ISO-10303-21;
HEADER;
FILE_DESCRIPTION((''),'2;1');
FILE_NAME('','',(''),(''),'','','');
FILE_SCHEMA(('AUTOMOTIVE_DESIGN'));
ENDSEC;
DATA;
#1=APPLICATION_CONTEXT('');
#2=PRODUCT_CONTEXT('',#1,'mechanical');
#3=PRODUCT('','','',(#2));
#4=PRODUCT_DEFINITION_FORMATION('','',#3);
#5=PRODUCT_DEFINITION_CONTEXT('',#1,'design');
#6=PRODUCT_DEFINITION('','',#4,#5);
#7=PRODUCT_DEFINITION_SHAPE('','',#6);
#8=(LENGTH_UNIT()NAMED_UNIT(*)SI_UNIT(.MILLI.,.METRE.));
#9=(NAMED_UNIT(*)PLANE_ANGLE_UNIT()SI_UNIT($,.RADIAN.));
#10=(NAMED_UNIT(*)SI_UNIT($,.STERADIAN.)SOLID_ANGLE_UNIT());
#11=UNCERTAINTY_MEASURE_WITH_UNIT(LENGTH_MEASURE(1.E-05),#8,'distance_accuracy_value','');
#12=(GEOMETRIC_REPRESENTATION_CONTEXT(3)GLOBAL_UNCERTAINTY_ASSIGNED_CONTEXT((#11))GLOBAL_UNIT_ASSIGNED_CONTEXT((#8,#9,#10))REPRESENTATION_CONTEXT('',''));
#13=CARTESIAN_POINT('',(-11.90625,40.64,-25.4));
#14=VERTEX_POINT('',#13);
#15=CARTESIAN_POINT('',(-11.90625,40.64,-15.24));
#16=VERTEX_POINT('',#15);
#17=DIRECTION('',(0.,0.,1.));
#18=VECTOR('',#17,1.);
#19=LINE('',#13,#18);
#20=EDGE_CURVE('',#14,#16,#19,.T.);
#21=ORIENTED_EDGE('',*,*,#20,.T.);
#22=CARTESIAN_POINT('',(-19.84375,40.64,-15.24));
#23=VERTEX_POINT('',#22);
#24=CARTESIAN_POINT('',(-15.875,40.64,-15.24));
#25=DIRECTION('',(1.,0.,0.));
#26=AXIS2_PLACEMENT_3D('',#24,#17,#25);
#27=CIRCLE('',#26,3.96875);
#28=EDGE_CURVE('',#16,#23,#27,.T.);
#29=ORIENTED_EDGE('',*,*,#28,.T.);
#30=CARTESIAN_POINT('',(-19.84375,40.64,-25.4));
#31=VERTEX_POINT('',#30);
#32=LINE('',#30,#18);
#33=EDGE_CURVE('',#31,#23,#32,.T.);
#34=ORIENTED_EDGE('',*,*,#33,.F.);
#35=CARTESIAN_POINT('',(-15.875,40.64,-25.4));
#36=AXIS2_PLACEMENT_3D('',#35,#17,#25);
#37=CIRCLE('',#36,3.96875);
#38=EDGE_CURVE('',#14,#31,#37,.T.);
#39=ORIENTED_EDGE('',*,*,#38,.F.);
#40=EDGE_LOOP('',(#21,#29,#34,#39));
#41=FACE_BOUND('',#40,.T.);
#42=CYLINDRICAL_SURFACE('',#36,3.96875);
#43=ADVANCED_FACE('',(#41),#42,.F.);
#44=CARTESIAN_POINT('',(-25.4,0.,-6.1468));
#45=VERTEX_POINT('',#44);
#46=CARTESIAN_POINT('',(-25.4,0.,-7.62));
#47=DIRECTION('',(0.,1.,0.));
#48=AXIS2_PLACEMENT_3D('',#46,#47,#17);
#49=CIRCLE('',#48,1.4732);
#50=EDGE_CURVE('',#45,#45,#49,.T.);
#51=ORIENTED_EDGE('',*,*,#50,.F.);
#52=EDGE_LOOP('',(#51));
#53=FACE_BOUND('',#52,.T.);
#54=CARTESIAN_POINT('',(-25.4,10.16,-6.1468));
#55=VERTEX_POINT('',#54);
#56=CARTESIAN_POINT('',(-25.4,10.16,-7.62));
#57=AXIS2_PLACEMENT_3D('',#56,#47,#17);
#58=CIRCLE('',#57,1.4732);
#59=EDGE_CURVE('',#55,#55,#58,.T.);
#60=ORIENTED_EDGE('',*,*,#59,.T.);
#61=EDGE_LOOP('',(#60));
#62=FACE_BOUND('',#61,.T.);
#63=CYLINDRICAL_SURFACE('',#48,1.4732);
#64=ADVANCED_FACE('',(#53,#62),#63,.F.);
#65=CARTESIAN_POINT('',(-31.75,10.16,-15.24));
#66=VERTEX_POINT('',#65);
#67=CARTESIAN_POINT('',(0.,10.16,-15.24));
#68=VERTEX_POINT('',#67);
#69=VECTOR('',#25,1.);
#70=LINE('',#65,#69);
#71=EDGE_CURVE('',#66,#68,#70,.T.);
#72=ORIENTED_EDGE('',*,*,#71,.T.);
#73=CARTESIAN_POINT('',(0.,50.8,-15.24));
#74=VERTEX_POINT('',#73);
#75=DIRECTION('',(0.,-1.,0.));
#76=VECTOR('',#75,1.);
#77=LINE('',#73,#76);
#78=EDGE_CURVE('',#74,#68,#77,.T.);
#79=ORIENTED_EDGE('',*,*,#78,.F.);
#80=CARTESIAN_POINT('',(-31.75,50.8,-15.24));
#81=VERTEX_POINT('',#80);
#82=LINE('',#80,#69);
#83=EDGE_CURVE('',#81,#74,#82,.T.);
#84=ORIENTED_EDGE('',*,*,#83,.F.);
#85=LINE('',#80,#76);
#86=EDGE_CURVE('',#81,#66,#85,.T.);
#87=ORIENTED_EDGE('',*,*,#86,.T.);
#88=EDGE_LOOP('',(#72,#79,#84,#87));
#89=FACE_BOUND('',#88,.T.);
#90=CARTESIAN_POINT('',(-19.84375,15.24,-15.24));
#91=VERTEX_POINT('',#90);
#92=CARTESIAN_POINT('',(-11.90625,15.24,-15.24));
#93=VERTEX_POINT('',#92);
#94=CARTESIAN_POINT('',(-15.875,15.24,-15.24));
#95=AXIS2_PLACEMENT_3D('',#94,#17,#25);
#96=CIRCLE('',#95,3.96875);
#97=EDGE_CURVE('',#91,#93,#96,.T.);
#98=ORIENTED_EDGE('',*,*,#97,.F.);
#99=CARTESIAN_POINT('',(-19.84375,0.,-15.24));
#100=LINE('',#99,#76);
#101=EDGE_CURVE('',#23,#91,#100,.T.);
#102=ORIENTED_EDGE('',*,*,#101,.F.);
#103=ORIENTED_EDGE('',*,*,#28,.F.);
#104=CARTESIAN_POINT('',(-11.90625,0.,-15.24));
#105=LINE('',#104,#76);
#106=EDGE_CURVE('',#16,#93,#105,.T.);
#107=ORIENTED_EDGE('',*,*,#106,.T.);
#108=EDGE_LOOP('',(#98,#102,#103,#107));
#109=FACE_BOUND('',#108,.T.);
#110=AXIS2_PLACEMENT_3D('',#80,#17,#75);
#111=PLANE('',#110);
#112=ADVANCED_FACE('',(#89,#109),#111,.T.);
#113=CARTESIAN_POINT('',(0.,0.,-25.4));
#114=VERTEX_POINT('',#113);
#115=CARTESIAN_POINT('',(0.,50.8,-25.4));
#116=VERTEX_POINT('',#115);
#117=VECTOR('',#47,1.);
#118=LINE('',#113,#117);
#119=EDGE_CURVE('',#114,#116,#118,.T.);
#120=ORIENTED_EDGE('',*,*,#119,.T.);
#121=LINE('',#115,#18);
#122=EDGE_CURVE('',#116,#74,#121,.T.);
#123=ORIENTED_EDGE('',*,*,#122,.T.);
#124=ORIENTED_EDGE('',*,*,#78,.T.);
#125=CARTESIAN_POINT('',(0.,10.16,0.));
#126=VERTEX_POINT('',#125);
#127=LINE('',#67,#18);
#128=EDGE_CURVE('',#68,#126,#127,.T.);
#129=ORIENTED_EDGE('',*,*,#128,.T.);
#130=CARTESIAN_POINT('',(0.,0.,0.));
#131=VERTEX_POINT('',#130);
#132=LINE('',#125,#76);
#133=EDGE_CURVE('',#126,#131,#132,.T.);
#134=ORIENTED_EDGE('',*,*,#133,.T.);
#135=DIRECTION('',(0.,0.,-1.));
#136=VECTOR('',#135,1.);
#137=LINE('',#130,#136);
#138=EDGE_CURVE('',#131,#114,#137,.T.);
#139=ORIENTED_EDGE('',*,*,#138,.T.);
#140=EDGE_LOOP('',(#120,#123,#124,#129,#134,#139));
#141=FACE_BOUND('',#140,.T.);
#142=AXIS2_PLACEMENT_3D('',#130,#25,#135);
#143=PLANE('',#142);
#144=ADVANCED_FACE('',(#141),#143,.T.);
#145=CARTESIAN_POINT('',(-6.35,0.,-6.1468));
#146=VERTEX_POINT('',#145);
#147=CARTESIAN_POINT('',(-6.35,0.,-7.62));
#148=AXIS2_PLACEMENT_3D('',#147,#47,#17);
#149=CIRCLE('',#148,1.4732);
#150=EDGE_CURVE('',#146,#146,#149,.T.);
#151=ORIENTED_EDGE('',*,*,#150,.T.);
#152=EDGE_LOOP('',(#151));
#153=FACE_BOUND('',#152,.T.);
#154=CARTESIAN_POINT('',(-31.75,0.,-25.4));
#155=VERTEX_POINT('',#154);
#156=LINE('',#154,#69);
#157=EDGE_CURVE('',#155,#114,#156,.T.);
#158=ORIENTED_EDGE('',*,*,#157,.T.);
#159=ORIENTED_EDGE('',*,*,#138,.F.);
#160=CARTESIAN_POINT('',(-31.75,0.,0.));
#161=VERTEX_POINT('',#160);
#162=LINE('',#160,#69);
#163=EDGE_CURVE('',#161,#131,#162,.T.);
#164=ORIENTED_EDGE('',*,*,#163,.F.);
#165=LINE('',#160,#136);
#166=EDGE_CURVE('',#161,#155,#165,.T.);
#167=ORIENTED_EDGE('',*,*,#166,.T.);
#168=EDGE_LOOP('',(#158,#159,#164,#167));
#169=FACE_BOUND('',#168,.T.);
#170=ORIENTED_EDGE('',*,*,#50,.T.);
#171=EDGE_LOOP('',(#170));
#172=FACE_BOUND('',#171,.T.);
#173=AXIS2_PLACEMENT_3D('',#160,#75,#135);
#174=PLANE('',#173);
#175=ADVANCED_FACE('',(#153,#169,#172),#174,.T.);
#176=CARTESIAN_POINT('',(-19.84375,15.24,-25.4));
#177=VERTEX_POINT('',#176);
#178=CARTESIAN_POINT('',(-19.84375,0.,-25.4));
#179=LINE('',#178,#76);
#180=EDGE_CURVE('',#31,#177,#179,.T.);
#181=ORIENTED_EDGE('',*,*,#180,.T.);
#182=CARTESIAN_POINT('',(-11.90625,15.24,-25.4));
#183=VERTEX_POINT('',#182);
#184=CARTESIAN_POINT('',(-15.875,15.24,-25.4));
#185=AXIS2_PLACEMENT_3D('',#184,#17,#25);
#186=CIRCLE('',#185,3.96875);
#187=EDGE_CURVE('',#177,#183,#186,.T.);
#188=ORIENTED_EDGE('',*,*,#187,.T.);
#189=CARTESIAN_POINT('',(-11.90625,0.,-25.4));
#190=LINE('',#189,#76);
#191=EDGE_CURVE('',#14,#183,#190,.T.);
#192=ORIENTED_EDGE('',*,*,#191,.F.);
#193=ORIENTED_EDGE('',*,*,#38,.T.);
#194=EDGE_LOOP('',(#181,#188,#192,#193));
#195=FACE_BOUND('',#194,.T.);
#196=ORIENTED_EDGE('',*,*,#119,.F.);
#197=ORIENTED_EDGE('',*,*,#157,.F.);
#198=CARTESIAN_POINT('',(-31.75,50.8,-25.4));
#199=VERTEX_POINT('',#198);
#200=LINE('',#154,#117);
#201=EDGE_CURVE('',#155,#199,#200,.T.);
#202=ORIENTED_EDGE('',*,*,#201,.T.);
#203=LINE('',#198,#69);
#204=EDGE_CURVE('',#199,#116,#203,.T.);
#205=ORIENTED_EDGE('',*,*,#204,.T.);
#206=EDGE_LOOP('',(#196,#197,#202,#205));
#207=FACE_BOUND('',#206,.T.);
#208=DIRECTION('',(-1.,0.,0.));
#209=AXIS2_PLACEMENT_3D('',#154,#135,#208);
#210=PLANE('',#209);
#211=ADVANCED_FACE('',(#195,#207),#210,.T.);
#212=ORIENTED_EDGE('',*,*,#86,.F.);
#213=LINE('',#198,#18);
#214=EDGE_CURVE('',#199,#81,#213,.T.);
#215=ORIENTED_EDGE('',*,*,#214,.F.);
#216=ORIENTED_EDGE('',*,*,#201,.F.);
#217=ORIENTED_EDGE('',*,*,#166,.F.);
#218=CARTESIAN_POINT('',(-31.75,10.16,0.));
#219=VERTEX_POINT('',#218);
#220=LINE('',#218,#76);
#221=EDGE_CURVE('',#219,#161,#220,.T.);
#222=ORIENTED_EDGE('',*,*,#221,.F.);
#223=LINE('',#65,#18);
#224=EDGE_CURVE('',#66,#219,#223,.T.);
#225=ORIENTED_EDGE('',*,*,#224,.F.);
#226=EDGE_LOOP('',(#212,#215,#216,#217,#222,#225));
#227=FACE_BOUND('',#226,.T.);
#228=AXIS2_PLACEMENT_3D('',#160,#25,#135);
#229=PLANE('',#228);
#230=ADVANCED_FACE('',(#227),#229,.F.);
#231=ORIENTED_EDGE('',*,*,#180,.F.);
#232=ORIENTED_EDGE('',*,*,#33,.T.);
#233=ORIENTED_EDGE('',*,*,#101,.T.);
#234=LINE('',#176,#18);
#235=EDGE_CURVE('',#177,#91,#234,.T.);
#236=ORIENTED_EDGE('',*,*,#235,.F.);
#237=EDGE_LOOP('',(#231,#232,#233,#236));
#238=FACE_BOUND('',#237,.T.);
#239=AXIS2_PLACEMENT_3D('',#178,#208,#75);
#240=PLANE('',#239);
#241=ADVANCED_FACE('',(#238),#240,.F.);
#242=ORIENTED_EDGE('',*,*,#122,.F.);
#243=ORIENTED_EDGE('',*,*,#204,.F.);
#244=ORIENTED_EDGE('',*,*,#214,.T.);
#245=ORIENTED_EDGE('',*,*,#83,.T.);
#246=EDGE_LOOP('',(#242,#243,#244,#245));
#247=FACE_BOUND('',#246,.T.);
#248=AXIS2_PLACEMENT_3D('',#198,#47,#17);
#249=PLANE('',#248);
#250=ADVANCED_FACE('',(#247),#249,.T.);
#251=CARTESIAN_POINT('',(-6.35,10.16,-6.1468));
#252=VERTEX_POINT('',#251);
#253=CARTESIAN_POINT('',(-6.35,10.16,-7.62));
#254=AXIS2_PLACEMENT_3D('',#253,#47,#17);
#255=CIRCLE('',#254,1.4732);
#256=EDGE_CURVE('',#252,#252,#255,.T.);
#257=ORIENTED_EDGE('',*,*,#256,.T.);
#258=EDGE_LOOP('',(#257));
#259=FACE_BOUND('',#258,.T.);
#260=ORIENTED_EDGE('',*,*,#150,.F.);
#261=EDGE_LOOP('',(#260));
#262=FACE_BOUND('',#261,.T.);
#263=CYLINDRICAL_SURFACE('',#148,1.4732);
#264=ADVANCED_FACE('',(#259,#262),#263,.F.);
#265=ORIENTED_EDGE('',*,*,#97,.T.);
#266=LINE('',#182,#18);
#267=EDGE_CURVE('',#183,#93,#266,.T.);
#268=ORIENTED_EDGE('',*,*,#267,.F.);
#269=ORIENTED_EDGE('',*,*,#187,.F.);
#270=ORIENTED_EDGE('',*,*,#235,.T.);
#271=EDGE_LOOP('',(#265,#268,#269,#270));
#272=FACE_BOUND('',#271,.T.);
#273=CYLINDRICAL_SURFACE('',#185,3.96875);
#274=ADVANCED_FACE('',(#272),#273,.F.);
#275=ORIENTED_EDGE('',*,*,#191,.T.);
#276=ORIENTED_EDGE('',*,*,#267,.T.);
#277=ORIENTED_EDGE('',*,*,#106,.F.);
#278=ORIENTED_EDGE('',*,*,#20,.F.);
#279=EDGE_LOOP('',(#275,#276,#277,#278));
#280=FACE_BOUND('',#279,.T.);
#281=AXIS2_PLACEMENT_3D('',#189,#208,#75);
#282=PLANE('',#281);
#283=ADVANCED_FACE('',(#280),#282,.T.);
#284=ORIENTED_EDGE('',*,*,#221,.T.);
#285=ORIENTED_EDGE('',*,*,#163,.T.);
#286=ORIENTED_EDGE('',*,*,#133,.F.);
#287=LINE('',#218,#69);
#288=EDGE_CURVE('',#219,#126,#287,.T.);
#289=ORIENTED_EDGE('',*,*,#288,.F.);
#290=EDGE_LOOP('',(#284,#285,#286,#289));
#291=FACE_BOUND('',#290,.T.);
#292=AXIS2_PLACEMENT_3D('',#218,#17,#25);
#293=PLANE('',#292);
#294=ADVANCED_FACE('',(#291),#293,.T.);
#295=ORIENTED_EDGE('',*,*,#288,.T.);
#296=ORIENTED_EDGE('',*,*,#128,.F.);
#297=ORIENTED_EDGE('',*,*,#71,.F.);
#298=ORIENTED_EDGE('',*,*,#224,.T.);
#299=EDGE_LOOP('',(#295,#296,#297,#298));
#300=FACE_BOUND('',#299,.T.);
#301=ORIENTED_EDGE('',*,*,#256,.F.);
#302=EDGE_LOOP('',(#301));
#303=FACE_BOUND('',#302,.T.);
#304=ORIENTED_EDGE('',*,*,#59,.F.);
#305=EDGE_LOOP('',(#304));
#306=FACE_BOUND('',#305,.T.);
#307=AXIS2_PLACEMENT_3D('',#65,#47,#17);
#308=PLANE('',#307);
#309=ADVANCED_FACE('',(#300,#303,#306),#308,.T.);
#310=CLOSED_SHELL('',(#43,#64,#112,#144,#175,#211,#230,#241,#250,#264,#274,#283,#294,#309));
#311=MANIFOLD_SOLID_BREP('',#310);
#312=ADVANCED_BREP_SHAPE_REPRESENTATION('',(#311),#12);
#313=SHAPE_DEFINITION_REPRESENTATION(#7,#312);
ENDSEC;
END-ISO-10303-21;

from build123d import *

# Parameters (mm, degrees)
BOSS_EXTRUDE1_DEPTH = 31.75
CUT_EXTRUDE1_DEPTH  = 11.16
SKETCH5_R           = 1.4732
CUT_EXTRUDE2_DEPTH  = 11.16


with BuildPart() as part:
    # Sketch3 → Boss-Extrude1 (new body)
    with BuildSketch(Plane(origin=(0, 0, 0), x_dir=(0, 0, -1), z_dir=(1, 0, 0))):
        Polygon((0, 0), (25.4, 0), (25.4, 50.8), (15.24, 50.8), (15.24, 10.16), (0, 10.16), align=None)
    extrude(amount=-BOSS_EXTRUDE1_DEPTH)

    # Sketch4 → Cut-Extrude1 (cut, through all)
    with BuildSketch(Plane.XY.offset(-15.24)):
        with BuildLine():
            Line((-19.84375, 40.64), (-19.84375, 15.24))
            ThreePointArc((-19.84375, 15.24), (-15.875, 11.27125), (-11.90625, 15.24))
            Line((-11.90625, 15.24), (-11.90625, 40.64))
            ThreePointArc((-11.90625, 40.64), (-15.875, 44.60875), (-19.84375, 40.64))
        make_face()
    extrude(amount=-CUT_EXTRUDE1_DEPTH, mode=Mode.SUBTRACT)

    # Sketch5 → Cut-Extrude2 (cut, through all)
    with BuildSketch(Plane(origin=(0, 10.16, 0), x_dir=(1, 0, 0), z_dir=(0, 1, 0))):
        with Locations((-25.4, 7.62)):
            Circle(SKETCH5_R)
        with Locations((-6.35, 7.62)):
            Circle(SKETCH5_R)
    extrude(amount=-CUT_EXTRUDE2_DEPTH, mode=Mode.SUBTRACT)


solid = part.part
